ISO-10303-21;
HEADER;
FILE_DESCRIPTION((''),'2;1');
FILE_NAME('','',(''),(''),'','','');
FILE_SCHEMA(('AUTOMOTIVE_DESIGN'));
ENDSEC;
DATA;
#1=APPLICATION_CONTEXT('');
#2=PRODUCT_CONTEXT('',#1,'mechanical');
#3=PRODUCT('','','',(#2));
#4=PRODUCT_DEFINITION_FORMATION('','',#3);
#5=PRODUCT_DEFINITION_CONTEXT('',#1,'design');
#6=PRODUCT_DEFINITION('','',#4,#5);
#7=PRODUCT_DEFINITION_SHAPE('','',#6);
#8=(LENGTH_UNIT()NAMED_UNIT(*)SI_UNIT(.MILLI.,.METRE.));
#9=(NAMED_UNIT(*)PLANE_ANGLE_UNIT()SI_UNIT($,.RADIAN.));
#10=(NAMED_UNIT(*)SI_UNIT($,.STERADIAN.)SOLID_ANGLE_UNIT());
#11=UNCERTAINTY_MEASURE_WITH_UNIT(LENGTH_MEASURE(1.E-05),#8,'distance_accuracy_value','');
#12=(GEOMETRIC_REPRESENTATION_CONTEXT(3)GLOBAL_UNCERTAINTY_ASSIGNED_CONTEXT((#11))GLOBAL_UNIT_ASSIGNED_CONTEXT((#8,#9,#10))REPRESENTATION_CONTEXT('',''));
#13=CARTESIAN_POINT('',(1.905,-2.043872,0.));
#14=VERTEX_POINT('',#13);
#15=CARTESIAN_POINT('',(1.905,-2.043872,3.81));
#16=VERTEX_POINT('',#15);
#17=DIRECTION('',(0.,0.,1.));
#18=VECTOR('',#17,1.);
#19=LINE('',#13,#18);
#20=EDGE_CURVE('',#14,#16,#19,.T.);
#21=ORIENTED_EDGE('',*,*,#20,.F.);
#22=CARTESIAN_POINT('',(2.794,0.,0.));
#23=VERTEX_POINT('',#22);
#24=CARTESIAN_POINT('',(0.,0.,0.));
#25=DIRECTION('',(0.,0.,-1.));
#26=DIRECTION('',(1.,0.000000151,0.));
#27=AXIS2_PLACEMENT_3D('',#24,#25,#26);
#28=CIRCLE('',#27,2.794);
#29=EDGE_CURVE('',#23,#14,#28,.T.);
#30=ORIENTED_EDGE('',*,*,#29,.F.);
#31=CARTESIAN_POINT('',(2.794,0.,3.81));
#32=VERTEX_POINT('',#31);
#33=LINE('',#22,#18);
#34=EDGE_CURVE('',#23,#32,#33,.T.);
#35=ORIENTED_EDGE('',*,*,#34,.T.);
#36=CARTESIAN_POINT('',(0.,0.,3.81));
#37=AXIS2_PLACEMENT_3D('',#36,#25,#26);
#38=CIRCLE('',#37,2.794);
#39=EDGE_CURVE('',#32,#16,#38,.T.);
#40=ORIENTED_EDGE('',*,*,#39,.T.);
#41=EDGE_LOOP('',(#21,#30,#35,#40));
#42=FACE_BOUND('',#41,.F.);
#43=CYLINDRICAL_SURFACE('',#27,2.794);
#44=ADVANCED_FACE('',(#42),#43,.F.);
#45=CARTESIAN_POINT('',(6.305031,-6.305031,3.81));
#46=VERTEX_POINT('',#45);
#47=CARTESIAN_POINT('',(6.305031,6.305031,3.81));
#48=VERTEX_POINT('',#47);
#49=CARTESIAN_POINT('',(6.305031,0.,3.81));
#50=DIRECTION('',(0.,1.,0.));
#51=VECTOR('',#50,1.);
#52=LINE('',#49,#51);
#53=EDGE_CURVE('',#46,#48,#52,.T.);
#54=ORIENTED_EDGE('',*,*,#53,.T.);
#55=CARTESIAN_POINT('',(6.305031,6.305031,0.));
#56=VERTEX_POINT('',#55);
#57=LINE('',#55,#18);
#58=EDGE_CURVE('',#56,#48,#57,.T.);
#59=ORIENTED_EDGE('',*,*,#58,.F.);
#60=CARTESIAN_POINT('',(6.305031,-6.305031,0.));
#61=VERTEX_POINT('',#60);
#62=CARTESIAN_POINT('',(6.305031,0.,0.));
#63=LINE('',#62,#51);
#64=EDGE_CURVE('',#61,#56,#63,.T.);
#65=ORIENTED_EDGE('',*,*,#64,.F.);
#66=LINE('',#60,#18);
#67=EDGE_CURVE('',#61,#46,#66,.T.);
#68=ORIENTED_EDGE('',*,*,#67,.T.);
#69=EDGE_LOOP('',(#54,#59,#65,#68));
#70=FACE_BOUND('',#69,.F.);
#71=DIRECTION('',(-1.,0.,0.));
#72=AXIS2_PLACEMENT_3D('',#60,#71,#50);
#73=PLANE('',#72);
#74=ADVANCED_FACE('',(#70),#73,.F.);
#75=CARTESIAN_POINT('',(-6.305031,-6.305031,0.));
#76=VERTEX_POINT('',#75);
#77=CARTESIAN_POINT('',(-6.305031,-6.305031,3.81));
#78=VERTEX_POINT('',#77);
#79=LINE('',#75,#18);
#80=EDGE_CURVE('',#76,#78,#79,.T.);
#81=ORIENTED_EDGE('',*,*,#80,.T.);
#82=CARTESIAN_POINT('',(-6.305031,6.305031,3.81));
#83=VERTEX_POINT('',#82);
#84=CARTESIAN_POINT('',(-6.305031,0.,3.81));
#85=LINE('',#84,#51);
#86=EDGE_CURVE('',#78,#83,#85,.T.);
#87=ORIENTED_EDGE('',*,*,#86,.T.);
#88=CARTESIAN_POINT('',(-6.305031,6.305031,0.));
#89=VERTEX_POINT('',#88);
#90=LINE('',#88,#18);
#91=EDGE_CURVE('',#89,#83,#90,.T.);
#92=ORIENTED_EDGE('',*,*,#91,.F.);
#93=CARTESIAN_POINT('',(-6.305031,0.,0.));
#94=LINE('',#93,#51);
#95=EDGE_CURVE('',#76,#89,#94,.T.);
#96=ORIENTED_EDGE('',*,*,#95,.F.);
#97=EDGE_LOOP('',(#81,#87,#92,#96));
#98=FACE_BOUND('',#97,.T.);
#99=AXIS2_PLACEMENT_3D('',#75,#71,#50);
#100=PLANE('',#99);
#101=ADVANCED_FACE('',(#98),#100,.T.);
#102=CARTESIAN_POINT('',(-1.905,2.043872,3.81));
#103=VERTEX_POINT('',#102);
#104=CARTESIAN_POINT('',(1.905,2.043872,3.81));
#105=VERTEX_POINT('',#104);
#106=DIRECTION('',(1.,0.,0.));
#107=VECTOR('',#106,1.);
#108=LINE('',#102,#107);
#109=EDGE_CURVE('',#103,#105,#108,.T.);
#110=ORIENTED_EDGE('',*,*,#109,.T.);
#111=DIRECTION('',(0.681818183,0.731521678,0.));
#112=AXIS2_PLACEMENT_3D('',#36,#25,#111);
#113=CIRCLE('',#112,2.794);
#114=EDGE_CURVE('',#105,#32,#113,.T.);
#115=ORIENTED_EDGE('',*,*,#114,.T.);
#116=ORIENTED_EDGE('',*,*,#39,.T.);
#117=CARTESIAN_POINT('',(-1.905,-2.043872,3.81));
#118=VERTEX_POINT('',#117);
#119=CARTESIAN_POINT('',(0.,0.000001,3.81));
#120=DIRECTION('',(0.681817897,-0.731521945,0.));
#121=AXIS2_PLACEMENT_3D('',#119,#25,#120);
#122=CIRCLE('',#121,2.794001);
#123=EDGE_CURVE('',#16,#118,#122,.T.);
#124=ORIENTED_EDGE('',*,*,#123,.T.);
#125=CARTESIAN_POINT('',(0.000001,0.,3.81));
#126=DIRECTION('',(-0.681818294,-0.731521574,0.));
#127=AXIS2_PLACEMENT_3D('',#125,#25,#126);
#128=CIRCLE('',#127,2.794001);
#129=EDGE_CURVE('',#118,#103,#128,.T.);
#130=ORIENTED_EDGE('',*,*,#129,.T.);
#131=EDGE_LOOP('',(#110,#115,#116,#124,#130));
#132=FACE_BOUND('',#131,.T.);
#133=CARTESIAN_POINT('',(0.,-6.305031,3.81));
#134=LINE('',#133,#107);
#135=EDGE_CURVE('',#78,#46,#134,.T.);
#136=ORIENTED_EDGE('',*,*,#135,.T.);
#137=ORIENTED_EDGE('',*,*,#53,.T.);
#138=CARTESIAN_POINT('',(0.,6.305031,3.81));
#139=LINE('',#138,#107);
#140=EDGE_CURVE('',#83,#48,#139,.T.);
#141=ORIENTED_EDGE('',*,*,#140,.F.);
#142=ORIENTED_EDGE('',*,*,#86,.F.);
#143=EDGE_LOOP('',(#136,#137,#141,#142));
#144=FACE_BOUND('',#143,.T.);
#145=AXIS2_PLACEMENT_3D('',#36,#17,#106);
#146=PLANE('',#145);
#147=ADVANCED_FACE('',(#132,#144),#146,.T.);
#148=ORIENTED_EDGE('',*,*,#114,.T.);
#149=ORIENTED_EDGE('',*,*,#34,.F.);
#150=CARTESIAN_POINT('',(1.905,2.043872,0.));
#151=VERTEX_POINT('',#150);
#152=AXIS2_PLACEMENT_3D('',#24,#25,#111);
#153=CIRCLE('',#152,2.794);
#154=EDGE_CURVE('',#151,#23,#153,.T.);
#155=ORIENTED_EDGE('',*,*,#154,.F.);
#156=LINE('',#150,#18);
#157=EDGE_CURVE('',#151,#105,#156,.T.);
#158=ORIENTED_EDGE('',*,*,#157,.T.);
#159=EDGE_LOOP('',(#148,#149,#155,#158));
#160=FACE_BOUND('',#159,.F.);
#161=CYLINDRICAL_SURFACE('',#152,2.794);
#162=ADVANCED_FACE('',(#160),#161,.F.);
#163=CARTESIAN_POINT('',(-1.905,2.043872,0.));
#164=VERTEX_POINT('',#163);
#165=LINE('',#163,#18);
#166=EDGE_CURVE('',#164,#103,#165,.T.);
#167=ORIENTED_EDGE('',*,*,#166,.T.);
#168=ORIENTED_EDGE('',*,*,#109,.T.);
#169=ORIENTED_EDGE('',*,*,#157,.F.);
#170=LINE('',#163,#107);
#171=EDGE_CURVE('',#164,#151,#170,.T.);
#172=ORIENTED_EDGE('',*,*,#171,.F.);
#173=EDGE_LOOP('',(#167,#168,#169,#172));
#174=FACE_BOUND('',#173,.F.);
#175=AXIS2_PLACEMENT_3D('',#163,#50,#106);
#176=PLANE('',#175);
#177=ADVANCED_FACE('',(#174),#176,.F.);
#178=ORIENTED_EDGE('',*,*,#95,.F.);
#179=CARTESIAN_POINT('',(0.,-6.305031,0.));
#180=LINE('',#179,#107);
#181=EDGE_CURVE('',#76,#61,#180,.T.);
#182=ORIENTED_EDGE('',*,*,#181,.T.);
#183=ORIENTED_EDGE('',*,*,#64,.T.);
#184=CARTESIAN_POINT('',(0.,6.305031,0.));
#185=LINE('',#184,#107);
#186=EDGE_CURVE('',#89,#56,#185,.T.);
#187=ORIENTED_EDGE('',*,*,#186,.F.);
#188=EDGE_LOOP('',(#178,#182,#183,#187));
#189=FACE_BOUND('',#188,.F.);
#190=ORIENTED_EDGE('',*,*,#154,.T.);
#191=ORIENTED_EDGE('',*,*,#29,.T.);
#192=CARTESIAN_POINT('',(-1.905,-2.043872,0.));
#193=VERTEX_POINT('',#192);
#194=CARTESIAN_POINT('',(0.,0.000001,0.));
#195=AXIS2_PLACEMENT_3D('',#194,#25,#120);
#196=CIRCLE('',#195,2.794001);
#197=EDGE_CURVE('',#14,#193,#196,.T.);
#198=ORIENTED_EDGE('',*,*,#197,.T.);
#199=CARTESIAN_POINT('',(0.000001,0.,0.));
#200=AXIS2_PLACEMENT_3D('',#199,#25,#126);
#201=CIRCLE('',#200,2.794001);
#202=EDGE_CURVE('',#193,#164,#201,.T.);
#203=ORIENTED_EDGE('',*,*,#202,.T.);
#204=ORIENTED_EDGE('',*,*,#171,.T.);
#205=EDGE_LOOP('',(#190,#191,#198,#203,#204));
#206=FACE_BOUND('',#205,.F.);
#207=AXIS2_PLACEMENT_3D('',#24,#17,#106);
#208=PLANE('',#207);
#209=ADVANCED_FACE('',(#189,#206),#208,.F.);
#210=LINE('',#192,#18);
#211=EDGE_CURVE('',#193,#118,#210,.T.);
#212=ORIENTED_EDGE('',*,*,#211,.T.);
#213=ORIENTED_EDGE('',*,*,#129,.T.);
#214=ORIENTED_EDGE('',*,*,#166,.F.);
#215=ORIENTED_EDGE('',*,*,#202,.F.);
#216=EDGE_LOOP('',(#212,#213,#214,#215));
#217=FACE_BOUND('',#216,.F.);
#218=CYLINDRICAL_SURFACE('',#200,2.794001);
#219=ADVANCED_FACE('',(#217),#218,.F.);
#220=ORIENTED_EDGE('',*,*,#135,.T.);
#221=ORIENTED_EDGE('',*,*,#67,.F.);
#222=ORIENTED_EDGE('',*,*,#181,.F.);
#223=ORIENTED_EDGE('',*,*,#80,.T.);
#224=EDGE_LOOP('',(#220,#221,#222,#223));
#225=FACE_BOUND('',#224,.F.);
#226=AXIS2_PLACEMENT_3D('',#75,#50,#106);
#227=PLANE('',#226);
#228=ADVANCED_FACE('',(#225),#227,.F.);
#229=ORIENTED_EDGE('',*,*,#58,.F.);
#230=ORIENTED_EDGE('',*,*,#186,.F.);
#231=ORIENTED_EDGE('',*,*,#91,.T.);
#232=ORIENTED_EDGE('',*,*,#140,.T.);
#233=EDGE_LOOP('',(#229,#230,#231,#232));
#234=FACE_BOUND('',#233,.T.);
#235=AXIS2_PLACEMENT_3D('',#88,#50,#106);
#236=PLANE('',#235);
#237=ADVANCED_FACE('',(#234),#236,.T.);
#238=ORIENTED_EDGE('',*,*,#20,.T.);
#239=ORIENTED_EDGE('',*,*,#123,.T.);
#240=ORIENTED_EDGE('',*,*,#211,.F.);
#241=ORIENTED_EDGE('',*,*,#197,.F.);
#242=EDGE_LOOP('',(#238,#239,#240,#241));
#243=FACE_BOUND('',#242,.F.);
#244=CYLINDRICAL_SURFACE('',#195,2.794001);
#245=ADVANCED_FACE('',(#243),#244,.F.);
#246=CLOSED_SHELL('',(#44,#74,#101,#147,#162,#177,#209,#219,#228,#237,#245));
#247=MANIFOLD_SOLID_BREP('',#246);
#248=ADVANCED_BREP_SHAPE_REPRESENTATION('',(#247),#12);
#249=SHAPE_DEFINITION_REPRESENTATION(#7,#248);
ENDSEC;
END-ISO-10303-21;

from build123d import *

# Parameters (mm, degrees)
F0_W     = 12.610062
F0_H     = 12.610062
F1_DEPTH = 3.81


with BuildPart() as f1:
    # F0 (on Top) → F1 (new body)
    with BuildSketch(Plane.XY):
        Rectangle(F0_W, F0_H)
        with BuildLine():
            ThreePointArc((1.905, 2.043872), (2.562129, 1.11442), (2.794, 0))
            ThreePointArc((2.794, 0), (2.562129, -1.11442), (1.905, -2.043872))
            ThreePointArc((1.905, -2.043872), (0, -2.794), (-1.905, -2.043872))
            ThreePointArc((-1.905, -2.043872), (-2.794, 0), (-1.905, 2.043872))
            ThreePointArc((-1.905, 2.043872), (0, 2.794), (1.905, 2.043872))
        make_face(mode=Mode.SUBTRACT)
        with BuildLine():
            Line((-1.905, 2.043872), (1.905, 2.043872))
            ThreePointArc((1.905, 2.043872), (0, 2.794), (-1.905, 2.043872))
        make_face()
    extrude(amount=F1_DEPTH)


solid = f1.part
